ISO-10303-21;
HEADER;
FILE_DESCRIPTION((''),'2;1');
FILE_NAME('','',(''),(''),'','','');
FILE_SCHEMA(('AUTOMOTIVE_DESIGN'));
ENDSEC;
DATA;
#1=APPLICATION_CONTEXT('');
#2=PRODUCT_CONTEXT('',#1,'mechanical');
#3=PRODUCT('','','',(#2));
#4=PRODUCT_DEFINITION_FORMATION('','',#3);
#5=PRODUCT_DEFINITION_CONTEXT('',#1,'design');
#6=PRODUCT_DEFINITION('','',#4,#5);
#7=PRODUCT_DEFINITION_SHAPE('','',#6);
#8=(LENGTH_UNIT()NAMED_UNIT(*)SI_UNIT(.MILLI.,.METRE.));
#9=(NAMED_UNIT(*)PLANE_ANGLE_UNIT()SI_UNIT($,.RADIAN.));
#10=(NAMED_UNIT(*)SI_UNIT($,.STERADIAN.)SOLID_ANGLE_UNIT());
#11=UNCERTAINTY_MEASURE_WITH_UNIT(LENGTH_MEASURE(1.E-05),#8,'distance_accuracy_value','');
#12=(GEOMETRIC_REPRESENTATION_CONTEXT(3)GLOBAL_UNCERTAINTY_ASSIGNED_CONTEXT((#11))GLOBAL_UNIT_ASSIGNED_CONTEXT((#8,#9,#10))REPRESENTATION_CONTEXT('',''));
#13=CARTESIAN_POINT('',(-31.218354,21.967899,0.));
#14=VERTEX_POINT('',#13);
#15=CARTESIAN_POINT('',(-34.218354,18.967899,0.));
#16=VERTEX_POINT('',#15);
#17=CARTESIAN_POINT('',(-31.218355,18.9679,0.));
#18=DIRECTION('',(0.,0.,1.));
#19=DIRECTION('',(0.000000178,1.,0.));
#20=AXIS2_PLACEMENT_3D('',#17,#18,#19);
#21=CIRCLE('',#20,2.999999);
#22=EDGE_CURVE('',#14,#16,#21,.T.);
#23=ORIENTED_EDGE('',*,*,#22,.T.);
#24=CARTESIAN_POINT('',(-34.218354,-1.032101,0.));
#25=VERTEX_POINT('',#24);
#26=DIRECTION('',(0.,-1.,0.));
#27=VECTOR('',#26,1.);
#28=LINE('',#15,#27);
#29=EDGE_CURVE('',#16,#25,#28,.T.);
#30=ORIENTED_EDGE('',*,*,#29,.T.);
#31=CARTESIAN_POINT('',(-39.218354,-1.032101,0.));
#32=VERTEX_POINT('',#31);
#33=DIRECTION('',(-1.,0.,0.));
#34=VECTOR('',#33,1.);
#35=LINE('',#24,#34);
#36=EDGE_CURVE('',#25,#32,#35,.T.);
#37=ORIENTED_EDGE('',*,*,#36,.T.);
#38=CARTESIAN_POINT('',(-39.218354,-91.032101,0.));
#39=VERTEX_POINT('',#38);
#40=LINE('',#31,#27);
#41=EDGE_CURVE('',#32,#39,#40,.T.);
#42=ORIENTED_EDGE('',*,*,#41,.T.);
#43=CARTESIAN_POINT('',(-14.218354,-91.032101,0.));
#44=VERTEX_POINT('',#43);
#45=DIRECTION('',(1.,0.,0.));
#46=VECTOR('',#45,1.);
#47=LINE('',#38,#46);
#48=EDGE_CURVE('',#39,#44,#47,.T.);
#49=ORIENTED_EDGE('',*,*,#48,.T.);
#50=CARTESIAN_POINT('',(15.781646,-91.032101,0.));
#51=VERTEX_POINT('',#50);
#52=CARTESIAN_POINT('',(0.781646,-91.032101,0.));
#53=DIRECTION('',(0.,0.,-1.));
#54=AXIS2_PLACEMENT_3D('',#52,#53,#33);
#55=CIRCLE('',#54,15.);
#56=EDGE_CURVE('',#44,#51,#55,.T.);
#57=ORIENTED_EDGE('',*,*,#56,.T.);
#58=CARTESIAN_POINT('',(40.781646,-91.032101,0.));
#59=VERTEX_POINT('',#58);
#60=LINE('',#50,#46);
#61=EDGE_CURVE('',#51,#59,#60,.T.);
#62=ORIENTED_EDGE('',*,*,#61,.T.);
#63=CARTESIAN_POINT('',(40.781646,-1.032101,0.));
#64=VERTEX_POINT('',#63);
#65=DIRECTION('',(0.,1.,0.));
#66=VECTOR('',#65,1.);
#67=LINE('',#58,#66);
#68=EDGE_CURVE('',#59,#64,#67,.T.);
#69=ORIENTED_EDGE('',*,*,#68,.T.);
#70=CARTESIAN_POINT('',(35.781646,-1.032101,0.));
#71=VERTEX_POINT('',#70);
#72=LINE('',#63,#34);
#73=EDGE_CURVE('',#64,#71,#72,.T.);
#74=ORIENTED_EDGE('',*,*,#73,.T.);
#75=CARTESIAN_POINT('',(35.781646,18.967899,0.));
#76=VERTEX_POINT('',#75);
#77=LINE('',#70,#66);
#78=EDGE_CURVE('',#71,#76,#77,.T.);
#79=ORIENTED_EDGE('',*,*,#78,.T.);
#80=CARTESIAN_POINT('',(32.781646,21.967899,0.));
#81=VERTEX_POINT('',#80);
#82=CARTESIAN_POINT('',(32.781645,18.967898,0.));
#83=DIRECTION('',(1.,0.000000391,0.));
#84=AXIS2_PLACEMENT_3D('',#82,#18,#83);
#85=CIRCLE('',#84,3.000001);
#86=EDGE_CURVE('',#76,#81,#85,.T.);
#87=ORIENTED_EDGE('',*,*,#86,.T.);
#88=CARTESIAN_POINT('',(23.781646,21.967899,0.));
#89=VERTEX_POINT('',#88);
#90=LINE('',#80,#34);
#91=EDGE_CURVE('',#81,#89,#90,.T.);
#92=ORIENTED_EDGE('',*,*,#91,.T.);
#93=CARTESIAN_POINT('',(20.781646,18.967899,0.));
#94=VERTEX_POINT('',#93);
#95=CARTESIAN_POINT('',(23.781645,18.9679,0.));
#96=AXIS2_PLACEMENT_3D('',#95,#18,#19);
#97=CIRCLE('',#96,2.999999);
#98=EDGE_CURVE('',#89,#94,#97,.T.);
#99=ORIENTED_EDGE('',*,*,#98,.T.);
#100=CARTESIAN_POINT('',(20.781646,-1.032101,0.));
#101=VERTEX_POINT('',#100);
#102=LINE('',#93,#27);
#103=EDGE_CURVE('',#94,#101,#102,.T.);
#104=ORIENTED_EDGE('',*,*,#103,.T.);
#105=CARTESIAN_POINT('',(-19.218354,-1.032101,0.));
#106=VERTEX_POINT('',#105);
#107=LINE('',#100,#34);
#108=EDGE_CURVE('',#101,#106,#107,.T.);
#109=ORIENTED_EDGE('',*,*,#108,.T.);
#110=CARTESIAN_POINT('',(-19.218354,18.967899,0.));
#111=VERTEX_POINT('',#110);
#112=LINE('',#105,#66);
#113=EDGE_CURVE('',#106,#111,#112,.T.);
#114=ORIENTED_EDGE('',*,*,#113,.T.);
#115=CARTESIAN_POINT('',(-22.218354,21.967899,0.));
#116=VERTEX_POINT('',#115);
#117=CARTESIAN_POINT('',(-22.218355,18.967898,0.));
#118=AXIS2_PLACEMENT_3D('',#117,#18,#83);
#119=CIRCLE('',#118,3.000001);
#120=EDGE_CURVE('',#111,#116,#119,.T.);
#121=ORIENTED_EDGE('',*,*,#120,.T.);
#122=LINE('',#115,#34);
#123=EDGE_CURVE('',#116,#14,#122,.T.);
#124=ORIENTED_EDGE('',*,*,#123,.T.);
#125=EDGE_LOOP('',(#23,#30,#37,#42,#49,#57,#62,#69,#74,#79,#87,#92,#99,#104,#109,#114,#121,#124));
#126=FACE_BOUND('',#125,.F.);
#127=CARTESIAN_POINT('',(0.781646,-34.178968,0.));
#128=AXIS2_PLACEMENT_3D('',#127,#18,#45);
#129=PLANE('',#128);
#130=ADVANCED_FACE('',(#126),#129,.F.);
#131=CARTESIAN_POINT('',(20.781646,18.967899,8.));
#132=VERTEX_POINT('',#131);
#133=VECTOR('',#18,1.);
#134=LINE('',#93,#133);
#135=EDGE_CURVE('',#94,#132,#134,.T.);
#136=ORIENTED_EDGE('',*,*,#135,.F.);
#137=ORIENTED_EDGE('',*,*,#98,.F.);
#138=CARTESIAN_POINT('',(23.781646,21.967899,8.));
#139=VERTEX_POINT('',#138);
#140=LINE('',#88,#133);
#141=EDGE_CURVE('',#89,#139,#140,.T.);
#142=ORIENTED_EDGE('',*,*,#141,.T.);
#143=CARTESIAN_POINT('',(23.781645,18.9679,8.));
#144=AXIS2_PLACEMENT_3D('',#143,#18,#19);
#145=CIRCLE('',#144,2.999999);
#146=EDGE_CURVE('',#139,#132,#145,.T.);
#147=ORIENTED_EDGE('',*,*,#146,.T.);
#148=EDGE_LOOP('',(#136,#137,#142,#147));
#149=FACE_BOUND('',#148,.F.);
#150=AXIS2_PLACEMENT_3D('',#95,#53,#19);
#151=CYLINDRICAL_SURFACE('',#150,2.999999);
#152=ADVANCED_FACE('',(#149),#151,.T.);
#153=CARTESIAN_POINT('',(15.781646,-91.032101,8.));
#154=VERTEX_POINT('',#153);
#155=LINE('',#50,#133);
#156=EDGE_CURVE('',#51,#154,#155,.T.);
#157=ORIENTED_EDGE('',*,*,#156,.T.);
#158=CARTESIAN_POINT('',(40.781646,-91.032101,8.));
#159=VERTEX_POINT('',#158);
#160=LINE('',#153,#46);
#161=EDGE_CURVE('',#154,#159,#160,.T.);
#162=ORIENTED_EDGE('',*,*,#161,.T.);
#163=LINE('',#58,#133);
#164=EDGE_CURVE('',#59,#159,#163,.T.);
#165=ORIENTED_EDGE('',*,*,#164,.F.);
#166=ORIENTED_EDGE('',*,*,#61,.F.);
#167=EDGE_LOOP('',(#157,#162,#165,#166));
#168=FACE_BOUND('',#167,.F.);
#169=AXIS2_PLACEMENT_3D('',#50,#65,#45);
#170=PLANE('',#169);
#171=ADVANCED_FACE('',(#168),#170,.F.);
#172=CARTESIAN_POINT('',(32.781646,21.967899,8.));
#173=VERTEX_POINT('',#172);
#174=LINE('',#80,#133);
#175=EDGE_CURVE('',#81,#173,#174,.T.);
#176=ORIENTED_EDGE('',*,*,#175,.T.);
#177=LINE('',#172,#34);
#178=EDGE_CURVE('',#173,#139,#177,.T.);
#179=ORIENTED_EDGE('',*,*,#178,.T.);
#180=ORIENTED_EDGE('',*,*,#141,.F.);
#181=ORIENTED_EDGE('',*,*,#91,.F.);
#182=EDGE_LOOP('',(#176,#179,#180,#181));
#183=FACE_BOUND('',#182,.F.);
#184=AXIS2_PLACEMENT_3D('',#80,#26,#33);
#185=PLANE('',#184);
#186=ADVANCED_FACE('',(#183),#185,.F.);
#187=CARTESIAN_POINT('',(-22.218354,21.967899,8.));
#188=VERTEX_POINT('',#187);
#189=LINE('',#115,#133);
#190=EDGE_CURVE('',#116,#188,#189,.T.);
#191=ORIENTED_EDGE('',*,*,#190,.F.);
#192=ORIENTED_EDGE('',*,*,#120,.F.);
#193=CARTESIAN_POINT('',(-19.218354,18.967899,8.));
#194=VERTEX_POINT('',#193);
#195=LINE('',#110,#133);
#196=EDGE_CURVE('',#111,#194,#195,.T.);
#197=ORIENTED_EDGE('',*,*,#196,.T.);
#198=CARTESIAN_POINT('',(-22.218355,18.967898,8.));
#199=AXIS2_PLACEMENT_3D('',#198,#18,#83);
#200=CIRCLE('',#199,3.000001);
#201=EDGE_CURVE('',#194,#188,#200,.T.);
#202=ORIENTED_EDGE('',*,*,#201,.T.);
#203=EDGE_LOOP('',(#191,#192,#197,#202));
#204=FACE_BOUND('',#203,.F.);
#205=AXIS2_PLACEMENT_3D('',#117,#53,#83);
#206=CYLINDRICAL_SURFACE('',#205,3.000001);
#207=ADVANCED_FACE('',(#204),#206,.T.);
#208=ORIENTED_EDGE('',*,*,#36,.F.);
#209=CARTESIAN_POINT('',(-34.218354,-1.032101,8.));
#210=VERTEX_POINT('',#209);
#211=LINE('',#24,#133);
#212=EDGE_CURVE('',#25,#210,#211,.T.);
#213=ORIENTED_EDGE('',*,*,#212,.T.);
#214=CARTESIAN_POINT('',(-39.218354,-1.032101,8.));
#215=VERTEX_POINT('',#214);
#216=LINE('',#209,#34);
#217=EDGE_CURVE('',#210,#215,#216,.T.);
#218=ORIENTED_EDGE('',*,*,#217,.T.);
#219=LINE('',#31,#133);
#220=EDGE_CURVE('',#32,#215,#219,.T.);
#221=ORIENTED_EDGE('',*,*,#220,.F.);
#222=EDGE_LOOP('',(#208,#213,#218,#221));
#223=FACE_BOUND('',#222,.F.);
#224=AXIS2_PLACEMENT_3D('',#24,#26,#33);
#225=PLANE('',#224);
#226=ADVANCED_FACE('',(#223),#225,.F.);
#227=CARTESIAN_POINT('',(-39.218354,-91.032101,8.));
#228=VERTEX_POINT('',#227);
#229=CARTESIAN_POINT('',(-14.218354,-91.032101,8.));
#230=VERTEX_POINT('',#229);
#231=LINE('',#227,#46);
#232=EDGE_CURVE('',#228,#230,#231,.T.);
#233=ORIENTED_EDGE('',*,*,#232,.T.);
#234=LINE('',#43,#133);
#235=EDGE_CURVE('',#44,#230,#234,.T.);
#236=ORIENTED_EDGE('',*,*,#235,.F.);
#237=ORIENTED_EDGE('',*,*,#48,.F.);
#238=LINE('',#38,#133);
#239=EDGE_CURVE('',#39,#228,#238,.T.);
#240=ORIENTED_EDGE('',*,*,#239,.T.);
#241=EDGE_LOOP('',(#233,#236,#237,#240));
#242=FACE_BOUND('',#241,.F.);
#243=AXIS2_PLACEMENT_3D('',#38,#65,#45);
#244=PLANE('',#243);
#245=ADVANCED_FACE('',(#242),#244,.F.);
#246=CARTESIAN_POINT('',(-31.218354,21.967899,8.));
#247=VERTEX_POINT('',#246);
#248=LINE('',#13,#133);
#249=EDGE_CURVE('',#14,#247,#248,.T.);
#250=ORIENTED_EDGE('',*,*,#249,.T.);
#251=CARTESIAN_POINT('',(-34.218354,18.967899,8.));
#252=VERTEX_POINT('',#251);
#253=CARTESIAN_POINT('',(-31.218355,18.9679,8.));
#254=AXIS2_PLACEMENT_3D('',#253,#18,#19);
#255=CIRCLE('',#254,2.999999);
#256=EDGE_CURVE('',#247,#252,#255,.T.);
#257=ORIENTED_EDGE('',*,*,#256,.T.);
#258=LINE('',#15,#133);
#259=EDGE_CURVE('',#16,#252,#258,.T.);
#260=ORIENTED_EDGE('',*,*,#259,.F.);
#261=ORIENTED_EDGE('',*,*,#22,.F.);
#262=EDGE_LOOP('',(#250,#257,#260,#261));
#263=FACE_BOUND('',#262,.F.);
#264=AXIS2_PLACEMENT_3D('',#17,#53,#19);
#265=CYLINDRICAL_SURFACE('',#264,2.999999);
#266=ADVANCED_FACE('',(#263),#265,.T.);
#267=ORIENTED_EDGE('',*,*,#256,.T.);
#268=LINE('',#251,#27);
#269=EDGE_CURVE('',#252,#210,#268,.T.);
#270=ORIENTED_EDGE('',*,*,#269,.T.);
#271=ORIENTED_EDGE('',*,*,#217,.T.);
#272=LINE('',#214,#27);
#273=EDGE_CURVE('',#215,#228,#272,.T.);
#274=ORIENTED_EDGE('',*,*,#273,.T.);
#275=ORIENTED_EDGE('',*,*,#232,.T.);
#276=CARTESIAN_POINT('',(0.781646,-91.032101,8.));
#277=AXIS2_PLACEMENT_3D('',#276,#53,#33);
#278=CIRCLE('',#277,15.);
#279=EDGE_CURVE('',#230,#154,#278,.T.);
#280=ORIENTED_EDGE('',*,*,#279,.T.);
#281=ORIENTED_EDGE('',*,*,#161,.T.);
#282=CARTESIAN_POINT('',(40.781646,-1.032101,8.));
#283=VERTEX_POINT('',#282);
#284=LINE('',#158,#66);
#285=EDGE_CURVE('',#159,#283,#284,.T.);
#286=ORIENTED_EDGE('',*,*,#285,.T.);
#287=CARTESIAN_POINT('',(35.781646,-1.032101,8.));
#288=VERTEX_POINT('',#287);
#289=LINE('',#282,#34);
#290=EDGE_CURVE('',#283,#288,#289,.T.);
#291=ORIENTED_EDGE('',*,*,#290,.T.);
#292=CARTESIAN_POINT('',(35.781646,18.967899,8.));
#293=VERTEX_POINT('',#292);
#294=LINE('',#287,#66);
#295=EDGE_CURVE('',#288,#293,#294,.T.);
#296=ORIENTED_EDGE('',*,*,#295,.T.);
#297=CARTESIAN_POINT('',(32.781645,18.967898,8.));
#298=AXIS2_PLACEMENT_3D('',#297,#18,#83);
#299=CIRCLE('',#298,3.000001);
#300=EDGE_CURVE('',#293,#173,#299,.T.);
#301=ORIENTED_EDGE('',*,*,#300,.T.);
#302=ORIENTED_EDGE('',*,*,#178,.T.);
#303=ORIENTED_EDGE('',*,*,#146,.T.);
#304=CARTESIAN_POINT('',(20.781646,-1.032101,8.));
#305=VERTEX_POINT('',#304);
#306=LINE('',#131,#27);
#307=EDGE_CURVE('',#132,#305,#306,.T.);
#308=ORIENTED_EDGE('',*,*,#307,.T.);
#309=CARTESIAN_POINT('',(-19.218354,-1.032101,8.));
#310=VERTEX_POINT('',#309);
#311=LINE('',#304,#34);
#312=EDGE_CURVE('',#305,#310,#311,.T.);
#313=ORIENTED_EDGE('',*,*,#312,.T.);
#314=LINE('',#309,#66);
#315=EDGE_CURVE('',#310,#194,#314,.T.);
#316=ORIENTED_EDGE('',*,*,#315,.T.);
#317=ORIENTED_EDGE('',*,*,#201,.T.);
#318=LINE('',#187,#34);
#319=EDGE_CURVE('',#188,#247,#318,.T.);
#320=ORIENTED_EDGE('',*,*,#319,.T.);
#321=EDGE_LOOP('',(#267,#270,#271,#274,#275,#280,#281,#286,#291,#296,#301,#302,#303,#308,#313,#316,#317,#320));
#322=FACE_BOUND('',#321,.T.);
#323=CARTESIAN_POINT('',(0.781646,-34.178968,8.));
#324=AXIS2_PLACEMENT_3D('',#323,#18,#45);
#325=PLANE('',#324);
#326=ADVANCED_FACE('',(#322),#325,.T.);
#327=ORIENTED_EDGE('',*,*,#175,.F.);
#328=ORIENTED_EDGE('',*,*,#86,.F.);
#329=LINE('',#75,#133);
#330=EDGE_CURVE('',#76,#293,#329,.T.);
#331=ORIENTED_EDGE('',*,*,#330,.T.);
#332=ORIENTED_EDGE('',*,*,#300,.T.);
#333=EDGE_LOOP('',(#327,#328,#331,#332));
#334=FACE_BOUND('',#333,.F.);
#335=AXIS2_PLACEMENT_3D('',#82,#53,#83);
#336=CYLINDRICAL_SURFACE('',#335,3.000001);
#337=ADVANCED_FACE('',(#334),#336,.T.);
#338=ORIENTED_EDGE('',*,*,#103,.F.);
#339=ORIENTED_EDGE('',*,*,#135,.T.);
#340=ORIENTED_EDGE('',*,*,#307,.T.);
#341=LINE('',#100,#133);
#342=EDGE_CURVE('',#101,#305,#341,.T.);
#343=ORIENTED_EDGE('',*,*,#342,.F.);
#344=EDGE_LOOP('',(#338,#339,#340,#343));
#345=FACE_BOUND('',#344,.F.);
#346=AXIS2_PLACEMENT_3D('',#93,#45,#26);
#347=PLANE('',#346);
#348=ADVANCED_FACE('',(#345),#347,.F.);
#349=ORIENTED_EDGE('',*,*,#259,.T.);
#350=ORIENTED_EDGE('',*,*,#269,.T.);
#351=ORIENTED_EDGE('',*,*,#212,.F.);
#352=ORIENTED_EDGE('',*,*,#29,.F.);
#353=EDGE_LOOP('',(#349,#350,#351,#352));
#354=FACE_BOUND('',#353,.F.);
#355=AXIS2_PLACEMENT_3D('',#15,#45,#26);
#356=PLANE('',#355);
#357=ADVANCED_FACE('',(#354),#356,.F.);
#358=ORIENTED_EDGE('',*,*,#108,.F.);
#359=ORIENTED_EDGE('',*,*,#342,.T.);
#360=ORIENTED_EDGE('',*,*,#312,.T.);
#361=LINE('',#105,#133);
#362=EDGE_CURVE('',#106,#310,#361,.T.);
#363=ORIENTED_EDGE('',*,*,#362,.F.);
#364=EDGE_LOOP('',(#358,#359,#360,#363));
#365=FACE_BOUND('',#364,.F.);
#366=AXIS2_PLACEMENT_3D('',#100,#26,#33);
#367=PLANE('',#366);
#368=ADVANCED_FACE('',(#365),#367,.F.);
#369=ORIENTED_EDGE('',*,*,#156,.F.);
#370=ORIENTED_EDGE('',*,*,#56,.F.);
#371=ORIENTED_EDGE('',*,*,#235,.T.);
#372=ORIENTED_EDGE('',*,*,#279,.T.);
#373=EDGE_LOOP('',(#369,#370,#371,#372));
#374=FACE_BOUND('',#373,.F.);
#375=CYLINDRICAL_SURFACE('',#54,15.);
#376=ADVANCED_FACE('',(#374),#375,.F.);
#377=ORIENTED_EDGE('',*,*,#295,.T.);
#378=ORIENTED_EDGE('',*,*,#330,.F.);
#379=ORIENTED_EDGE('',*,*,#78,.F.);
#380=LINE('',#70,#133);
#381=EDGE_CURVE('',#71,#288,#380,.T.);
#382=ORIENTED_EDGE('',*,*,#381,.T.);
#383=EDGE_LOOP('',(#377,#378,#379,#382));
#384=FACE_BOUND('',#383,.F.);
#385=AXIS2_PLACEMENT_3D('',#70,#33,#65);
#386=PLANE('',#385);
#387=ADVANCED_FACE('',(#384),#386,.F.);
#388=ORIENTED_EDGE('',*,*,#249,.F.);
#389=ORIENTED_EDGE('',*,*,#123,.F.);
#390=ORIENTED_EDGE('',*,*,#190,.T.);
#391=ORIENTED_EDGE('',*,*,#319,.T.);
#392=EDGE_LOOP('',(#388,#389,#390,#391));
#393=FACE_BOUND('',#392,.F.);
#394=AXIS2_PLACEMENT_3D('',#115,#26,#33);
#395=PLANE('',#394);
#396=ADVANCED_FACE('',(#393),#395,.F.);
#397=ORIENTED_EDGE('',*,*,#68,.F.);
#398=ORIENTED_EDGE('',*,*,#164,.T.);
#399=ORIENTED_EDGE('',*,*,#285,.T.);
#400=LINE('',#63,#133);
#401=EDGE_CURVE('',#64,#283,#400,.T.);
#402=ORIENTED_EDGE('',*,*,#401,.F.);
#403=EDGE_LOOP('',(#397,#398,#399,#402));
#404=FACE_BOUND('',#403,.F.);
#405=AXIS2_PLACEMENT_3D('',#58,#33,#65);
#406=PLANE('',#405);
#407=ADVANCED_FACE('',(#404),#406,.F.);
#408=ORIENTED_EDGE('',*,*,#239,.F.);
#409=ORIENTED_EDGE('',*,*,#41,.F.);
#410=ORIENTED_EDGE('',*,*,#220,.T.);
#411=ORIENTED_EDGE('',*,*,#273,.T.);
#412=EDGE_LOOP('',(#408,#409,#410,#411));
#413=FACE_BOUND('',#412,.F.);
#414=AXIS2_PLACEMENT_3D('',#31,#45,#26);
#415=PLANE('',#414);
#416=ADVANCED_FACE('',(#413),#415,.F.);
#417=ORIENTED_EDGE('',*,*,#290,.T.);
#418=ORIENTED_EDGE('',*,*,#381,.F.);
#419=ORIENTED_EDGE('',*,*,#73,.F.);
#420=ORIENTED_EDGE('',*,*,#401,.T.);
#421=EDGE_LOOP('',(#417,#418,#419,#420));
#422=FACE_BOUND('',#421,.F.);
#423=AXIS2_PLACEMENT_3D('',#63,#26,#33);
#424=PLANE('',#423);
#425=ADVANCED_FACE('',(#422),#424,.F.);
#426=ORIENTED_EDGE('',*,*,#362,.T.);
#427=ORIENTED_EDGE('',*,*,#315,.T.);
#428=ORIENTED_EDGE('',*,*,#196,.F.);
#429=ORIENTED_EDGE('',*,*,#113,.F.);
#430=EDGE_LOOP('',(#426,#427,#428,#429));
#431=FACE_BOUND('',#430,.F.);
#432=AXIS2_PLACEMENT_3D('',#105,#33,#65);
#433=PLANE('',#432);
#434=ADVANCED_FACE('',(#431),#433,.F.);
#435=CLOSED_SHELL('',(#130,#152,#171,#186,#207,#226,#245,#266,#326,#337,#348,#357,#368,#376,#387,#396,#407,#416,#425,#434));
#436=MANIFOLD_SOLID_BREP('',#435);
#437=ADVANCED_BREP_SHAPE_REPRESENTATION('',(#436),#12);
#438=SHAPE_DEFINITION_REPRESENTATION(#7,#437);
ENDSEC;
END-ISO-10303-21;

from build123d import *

# Parameters (mm, degrees)
F1_DEPTH = 8


with BuildPart() as f1:
    # F0 (on Top) → F1 (new body)
    with BuildSketch(Plane.XY):
        with BuildLine():
            Line((-34.218354, -1.032101), (-39.218354, -1.032101))
            Line((-39.218354, -1.032101), (-39.218354, -91.032101))
            Line((-39.218354, -91.032101), (-14.218354, -91.032101))
            ThreePointArc((-14.218354, -91.032101), (0.781646, -76.032101), (15.781646, -91.032101))
            Line((15.781646, -91.032101), (40.781646, -91.032101))
            Line((40.781646, -91.032101), (40.781646, -1.032101))
            Line((40.781646, -1.032101), (35.781646, -1.032101))
            Line((35.781646, -1.032101), (35.781646, 18.967899))
            ThreePointArc((35.781646, 18.967899), (34.902966, 21.089219), (32.781646, 21.967899))
            Line((32.781646, 21.967899), (23.781646, 21.967899))
            ThreePointArc((23.781646, 21.967899), (21.660325, 21.089219), (20.781646, 18.967899))
            Line((20.781646, 18.967899), (20.781646, -1.032101))
            Line((20.781646, -1.032101), (-17.203856, -1.032101))
            Line((-17.203856, -1.032101), (-19.218354, -1.032101))
            Line((-19.218354, -1.032101), (-19.218354, 18.967899))
            ThreePointArc((-19.218354, 18.967899), (-20.097034, 21.089219), (-22.218354, 21.967899))
            Line((-22.218354, 21.967899), (-31.218354, 21.967899))
            ThreePointArc((-31.218354, 21.967899), (-33.339675, 21.089219), (-34.218354, 18.967899))
            Line((-34.218354, 18.967899), (-34.218354, -1.032101))
        make_face()
    extrude(amount=F1_DEPTH)


solid = f1.part
